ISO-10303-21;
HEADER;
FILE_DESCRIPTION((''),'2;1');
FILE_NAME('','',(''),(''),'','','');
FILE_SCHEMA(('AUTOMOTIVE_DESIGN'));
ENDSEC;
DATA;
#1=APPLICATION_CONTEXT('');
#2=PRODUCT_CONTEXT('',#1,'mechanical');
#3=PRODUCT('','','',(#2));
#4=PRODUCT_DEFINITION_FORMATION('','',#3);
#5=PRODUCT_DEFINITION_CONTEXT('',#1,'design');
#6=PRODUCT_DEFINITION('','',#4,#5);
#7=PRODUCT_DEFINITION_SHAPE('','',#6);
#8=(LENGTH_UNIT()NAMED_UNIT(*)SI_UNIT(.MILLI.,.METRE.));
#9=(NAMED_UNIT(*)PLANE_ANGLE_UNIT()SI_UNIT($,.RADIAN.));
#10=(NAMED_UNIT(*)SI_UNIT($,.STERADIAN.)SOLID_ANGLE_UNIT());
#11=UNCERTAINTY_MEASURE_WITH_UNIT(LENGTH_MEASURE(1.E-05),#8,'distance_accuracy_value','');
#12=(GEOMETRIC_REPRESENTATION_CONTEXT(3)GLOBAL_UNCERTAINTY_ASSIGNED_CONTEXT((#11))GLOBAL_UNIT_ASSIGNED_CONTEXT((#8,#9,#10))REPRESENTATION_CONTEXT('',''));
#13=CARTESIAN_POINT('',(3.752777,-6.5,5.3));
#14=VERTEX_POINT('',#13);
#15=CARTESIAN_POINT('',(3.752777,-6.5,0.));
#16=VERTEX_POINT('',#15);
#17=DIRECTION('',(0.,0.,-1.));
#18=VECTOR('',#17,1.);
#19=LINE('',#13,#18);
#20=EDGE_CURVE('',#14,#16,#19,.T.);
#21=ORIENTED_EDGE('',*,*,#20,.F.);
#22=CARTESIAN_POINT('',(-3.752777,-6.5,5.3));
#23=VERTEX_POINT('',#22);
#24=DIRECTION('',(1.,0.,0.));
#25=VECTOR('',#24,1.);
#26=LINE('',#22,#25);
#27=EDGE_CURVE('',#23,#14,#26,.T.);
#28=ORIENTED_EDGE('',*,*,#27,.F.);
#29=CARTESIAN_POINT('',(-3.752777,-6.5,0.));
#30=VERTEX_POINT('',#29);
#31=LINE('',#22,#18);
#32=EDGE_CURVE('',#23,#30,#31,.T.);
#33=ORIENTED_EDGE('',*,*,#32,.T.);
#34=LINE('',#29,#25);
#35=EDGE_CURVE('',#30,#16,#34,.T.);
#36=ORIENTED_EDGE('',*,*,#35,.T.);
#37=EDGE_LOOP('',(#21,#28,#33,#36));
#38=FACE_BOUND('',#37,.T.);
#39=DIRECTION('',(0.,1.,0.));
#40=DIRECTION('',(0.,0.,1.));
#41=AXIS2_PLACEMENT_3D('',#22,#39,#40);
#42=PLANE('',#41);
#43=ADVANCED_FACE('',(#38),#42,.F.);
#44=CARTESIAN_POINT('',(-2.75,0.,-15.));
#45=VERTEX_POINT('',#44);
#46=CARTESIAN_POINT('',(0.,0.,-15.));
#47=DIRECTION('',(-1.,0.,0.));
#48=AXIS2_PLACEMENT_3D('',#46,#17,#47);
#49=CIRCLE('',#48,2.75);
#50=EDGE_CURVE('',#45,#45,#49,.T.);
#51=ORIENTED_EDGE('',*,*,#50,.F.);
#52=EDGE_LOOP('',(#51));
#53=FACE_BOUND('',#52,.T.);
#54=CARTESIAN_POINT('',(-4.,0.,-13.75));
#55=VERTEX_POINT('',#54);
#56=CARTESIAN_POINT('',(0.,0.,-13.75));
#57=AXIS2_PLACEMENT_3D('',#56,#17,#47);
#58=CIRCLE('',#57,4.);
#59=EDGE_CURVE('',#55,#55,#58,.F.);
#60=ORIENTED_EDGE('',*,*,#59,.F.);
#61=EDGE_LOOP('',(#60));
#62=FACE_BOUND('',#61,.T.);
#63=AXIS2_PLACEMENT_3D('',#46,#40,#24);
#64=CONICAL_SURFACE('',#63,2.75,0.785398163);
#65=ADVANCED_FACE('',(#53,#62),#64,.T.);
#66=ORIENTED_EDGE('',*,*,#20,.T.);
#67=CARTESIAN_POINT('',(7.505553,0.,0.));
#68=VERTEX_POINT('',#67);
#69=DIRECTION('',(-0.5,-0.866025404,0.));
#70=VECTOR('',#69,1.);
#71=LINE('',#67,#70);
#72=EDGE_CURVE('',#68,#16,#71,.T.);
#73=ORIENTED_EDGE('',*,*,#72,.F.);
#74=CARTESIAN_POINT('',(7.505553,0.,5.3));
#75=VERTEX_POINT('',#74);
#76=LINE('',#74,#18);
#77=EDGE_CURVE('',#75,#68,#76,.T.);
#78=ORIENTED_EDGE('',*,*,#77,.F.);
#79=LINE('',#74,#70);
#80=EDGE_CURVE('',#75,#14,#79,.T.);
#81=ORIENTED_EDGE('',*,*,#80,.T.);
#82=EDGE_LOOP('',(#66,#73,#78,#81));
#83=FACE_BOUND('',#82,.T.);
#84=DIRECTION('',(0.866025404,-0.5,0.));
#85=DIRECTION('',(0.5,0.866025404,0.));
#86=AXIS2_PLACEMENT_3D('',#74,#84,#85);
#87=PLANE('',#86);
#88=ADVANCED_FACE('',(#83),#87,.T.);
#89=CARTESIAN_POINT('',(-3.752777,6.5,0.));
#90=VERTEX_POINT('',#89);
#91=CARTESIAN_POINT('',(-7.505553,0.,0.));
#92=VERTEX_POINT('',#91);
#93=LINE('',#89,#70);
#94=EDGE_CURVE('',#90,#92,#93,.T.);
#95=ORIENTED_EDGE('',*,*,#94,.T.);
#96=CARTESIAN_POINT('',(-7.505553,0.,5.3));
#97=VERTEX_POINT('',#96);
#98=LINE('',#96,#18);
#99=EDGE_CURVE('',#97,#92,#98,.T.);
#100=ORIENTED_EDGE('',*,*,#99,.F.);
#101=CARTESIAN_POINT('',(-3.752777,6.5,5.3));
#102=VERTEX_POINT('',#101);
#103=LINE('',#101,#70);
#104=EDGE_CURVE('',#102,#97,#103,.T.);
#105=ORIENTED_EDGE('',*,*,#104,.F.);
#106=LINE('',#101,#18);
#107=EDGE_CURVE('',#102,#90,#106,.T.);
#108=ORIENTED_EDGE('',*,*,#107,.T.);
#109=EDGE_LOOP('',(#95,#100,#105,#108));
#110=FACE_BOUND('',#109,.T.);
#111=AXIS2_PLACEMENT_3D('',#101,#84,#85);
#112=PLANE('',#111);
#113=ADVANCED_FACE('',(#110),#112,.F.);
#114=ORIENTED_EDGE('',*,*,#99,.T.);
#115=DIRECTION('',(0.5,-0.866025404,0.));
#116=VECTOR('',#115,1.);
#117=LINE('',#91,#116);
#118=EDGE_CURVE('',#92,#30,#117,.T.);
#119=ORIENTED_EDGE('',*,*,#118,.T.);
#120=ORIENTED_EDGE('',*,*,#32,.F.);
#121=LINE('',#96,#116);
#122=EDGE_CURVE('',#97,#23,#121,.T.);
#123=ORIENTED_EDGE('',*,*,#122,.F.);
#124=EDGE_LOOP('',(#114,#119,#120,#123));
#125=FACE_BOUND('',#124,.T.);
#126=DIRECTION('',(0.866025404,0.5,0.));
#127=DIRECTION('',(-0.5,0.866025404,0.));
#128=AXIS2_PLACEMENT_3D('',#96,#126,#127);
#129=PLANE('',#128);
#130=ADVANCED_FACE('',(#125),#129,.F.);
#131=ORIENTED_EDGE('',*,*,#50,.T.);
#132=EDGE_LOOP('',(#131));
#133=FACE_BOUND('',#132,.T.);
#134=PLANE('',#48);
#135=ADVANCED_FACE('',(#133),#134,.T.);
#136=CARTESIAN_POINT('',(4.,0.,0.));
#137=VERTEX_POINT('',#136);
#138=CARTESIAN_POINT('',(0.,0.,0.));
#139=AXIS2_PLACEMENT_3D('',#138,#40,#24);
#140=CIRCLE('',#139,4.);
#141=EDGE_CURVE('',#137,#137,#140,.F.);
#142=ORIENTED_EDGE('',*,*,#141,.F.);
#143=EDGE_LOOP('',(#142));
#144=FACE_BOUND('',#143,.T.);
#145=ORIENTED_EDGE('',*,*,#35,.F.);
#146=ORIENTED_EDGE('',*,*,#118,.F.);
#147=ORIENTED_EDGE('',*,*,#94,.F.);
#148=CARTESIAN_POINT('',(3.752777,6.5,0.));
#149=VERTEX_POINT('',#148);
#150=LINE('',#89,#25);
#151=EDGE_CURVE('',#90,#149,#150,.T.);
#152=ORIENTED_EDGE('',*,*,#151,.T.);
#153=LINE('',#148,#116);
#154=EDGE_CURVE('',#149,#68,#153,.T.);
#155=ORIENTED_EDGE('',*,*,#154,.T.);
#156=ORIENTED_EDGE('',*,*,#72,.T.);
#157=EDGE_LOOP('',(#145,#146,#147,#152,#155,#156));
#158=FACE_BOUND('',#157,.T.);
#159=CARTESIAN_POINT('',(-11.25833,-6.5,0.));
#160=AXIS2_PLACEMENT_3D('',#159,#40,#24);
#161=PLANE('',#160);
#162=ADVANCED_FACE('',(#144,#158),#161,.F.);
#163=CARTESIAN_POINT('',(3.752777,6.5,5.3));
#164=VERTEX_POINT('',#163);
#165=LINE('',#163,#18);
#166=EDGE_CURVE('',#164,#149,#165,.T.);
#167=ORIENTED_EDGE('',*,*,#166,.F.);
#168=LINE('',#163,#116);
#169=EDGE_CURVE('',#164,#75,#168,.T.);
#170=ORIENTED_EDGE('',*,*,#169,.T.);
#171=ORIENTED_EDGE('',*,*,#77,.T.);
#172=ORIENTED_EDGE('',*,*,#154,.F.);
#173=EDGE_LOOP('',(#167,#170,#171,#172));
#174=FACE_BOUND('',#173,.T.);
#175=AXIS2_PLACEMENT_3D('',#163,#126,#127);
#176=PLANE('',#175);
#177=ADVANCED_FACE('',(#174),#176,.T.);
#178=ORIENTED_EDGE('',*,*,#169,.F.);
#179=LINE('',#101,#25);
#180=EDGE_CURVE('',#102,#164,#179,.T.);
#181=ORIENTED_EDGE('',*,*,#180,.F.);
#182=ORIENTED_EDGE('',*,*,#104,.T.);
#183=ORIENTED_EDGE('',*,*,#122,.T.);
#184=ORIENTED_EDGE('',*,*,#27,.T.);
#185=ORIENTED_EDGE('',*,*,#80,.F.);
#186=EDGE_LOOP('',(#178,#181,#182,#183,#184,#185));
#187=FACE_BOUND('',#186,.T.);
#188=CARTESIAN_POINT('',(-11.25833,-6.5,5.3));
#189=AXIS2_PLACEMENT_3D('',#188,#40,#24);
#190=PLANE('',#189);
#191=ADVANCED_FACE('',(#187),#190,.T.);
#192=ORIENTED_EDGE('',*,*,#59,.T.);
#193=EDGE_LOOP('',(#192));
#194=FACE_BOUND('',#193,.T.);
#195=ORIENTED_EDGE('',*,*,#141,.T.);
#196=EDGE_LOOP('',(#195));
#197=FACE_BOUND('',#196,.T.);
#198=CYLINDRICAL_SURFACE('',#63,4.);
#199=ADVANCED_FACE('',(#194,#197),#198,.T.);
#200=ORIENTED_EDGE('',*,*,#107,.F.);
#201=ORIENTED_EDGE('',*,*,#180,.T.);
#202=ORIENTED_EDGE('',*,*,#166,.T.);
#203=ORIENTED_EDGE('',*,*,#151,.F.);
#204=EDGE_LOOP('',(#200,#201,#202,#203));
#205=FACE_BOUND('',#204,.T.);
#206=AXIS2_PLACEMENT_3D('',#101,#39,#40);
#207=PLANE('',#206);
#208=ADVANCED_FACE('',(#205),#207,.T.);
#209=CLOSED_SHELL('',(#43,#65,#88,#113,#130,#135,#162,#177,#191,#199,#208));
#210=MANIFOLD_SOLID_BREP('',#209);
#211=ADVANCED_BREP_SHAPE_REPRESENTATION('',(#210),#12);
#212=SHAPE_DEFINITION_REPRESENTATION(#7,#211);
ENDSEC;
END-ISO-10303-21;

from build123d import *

# Parameters (mm, degrees)
BASE_EXTRUDE_DEPTH  = 5.3
SKETCH3_R           = 4
BOSS_EXTRUDE1_DEPTH = 15
CHAMFER1_SIZE       = 1.25


with BuildPart() as part:
    # Sketch1 → Base-Extrude (new body)
    with BuildSketch(Plane.XY):
        Polygon((-3.75277675, 6.5), (3.75277675, 6.5), (7.505553499, 0), (3.75277675, -6.5), (-3.75277675, -6.5), (-7.505553499, 0), align=None)
    extrude(amount=BASE_EXTRUDE_DEPTH)

    # Sketch3 → Boss-Extrude1 (add)
    with BuildSketch(Plane(origin=(0, 0, 0), x_dir=(-1, 0, 0), z_dir=(0, 0, -1))):
        with Locations(Location((0, 0, 0), (0, 0, 180))):
            Circle(SKETCH3_R)
    extrude(amount=BOSS_EXTRUDE1_DEPTH)

    # Chamfer1
    chamfer1_edges = [part.edges().sort_by_distance(p)[0] for p in [
        (-4, 0, -15),
    ]]
    chamfer(chamfer1_edges, length=CHAMFER1_SIZE)


solid = part.part
